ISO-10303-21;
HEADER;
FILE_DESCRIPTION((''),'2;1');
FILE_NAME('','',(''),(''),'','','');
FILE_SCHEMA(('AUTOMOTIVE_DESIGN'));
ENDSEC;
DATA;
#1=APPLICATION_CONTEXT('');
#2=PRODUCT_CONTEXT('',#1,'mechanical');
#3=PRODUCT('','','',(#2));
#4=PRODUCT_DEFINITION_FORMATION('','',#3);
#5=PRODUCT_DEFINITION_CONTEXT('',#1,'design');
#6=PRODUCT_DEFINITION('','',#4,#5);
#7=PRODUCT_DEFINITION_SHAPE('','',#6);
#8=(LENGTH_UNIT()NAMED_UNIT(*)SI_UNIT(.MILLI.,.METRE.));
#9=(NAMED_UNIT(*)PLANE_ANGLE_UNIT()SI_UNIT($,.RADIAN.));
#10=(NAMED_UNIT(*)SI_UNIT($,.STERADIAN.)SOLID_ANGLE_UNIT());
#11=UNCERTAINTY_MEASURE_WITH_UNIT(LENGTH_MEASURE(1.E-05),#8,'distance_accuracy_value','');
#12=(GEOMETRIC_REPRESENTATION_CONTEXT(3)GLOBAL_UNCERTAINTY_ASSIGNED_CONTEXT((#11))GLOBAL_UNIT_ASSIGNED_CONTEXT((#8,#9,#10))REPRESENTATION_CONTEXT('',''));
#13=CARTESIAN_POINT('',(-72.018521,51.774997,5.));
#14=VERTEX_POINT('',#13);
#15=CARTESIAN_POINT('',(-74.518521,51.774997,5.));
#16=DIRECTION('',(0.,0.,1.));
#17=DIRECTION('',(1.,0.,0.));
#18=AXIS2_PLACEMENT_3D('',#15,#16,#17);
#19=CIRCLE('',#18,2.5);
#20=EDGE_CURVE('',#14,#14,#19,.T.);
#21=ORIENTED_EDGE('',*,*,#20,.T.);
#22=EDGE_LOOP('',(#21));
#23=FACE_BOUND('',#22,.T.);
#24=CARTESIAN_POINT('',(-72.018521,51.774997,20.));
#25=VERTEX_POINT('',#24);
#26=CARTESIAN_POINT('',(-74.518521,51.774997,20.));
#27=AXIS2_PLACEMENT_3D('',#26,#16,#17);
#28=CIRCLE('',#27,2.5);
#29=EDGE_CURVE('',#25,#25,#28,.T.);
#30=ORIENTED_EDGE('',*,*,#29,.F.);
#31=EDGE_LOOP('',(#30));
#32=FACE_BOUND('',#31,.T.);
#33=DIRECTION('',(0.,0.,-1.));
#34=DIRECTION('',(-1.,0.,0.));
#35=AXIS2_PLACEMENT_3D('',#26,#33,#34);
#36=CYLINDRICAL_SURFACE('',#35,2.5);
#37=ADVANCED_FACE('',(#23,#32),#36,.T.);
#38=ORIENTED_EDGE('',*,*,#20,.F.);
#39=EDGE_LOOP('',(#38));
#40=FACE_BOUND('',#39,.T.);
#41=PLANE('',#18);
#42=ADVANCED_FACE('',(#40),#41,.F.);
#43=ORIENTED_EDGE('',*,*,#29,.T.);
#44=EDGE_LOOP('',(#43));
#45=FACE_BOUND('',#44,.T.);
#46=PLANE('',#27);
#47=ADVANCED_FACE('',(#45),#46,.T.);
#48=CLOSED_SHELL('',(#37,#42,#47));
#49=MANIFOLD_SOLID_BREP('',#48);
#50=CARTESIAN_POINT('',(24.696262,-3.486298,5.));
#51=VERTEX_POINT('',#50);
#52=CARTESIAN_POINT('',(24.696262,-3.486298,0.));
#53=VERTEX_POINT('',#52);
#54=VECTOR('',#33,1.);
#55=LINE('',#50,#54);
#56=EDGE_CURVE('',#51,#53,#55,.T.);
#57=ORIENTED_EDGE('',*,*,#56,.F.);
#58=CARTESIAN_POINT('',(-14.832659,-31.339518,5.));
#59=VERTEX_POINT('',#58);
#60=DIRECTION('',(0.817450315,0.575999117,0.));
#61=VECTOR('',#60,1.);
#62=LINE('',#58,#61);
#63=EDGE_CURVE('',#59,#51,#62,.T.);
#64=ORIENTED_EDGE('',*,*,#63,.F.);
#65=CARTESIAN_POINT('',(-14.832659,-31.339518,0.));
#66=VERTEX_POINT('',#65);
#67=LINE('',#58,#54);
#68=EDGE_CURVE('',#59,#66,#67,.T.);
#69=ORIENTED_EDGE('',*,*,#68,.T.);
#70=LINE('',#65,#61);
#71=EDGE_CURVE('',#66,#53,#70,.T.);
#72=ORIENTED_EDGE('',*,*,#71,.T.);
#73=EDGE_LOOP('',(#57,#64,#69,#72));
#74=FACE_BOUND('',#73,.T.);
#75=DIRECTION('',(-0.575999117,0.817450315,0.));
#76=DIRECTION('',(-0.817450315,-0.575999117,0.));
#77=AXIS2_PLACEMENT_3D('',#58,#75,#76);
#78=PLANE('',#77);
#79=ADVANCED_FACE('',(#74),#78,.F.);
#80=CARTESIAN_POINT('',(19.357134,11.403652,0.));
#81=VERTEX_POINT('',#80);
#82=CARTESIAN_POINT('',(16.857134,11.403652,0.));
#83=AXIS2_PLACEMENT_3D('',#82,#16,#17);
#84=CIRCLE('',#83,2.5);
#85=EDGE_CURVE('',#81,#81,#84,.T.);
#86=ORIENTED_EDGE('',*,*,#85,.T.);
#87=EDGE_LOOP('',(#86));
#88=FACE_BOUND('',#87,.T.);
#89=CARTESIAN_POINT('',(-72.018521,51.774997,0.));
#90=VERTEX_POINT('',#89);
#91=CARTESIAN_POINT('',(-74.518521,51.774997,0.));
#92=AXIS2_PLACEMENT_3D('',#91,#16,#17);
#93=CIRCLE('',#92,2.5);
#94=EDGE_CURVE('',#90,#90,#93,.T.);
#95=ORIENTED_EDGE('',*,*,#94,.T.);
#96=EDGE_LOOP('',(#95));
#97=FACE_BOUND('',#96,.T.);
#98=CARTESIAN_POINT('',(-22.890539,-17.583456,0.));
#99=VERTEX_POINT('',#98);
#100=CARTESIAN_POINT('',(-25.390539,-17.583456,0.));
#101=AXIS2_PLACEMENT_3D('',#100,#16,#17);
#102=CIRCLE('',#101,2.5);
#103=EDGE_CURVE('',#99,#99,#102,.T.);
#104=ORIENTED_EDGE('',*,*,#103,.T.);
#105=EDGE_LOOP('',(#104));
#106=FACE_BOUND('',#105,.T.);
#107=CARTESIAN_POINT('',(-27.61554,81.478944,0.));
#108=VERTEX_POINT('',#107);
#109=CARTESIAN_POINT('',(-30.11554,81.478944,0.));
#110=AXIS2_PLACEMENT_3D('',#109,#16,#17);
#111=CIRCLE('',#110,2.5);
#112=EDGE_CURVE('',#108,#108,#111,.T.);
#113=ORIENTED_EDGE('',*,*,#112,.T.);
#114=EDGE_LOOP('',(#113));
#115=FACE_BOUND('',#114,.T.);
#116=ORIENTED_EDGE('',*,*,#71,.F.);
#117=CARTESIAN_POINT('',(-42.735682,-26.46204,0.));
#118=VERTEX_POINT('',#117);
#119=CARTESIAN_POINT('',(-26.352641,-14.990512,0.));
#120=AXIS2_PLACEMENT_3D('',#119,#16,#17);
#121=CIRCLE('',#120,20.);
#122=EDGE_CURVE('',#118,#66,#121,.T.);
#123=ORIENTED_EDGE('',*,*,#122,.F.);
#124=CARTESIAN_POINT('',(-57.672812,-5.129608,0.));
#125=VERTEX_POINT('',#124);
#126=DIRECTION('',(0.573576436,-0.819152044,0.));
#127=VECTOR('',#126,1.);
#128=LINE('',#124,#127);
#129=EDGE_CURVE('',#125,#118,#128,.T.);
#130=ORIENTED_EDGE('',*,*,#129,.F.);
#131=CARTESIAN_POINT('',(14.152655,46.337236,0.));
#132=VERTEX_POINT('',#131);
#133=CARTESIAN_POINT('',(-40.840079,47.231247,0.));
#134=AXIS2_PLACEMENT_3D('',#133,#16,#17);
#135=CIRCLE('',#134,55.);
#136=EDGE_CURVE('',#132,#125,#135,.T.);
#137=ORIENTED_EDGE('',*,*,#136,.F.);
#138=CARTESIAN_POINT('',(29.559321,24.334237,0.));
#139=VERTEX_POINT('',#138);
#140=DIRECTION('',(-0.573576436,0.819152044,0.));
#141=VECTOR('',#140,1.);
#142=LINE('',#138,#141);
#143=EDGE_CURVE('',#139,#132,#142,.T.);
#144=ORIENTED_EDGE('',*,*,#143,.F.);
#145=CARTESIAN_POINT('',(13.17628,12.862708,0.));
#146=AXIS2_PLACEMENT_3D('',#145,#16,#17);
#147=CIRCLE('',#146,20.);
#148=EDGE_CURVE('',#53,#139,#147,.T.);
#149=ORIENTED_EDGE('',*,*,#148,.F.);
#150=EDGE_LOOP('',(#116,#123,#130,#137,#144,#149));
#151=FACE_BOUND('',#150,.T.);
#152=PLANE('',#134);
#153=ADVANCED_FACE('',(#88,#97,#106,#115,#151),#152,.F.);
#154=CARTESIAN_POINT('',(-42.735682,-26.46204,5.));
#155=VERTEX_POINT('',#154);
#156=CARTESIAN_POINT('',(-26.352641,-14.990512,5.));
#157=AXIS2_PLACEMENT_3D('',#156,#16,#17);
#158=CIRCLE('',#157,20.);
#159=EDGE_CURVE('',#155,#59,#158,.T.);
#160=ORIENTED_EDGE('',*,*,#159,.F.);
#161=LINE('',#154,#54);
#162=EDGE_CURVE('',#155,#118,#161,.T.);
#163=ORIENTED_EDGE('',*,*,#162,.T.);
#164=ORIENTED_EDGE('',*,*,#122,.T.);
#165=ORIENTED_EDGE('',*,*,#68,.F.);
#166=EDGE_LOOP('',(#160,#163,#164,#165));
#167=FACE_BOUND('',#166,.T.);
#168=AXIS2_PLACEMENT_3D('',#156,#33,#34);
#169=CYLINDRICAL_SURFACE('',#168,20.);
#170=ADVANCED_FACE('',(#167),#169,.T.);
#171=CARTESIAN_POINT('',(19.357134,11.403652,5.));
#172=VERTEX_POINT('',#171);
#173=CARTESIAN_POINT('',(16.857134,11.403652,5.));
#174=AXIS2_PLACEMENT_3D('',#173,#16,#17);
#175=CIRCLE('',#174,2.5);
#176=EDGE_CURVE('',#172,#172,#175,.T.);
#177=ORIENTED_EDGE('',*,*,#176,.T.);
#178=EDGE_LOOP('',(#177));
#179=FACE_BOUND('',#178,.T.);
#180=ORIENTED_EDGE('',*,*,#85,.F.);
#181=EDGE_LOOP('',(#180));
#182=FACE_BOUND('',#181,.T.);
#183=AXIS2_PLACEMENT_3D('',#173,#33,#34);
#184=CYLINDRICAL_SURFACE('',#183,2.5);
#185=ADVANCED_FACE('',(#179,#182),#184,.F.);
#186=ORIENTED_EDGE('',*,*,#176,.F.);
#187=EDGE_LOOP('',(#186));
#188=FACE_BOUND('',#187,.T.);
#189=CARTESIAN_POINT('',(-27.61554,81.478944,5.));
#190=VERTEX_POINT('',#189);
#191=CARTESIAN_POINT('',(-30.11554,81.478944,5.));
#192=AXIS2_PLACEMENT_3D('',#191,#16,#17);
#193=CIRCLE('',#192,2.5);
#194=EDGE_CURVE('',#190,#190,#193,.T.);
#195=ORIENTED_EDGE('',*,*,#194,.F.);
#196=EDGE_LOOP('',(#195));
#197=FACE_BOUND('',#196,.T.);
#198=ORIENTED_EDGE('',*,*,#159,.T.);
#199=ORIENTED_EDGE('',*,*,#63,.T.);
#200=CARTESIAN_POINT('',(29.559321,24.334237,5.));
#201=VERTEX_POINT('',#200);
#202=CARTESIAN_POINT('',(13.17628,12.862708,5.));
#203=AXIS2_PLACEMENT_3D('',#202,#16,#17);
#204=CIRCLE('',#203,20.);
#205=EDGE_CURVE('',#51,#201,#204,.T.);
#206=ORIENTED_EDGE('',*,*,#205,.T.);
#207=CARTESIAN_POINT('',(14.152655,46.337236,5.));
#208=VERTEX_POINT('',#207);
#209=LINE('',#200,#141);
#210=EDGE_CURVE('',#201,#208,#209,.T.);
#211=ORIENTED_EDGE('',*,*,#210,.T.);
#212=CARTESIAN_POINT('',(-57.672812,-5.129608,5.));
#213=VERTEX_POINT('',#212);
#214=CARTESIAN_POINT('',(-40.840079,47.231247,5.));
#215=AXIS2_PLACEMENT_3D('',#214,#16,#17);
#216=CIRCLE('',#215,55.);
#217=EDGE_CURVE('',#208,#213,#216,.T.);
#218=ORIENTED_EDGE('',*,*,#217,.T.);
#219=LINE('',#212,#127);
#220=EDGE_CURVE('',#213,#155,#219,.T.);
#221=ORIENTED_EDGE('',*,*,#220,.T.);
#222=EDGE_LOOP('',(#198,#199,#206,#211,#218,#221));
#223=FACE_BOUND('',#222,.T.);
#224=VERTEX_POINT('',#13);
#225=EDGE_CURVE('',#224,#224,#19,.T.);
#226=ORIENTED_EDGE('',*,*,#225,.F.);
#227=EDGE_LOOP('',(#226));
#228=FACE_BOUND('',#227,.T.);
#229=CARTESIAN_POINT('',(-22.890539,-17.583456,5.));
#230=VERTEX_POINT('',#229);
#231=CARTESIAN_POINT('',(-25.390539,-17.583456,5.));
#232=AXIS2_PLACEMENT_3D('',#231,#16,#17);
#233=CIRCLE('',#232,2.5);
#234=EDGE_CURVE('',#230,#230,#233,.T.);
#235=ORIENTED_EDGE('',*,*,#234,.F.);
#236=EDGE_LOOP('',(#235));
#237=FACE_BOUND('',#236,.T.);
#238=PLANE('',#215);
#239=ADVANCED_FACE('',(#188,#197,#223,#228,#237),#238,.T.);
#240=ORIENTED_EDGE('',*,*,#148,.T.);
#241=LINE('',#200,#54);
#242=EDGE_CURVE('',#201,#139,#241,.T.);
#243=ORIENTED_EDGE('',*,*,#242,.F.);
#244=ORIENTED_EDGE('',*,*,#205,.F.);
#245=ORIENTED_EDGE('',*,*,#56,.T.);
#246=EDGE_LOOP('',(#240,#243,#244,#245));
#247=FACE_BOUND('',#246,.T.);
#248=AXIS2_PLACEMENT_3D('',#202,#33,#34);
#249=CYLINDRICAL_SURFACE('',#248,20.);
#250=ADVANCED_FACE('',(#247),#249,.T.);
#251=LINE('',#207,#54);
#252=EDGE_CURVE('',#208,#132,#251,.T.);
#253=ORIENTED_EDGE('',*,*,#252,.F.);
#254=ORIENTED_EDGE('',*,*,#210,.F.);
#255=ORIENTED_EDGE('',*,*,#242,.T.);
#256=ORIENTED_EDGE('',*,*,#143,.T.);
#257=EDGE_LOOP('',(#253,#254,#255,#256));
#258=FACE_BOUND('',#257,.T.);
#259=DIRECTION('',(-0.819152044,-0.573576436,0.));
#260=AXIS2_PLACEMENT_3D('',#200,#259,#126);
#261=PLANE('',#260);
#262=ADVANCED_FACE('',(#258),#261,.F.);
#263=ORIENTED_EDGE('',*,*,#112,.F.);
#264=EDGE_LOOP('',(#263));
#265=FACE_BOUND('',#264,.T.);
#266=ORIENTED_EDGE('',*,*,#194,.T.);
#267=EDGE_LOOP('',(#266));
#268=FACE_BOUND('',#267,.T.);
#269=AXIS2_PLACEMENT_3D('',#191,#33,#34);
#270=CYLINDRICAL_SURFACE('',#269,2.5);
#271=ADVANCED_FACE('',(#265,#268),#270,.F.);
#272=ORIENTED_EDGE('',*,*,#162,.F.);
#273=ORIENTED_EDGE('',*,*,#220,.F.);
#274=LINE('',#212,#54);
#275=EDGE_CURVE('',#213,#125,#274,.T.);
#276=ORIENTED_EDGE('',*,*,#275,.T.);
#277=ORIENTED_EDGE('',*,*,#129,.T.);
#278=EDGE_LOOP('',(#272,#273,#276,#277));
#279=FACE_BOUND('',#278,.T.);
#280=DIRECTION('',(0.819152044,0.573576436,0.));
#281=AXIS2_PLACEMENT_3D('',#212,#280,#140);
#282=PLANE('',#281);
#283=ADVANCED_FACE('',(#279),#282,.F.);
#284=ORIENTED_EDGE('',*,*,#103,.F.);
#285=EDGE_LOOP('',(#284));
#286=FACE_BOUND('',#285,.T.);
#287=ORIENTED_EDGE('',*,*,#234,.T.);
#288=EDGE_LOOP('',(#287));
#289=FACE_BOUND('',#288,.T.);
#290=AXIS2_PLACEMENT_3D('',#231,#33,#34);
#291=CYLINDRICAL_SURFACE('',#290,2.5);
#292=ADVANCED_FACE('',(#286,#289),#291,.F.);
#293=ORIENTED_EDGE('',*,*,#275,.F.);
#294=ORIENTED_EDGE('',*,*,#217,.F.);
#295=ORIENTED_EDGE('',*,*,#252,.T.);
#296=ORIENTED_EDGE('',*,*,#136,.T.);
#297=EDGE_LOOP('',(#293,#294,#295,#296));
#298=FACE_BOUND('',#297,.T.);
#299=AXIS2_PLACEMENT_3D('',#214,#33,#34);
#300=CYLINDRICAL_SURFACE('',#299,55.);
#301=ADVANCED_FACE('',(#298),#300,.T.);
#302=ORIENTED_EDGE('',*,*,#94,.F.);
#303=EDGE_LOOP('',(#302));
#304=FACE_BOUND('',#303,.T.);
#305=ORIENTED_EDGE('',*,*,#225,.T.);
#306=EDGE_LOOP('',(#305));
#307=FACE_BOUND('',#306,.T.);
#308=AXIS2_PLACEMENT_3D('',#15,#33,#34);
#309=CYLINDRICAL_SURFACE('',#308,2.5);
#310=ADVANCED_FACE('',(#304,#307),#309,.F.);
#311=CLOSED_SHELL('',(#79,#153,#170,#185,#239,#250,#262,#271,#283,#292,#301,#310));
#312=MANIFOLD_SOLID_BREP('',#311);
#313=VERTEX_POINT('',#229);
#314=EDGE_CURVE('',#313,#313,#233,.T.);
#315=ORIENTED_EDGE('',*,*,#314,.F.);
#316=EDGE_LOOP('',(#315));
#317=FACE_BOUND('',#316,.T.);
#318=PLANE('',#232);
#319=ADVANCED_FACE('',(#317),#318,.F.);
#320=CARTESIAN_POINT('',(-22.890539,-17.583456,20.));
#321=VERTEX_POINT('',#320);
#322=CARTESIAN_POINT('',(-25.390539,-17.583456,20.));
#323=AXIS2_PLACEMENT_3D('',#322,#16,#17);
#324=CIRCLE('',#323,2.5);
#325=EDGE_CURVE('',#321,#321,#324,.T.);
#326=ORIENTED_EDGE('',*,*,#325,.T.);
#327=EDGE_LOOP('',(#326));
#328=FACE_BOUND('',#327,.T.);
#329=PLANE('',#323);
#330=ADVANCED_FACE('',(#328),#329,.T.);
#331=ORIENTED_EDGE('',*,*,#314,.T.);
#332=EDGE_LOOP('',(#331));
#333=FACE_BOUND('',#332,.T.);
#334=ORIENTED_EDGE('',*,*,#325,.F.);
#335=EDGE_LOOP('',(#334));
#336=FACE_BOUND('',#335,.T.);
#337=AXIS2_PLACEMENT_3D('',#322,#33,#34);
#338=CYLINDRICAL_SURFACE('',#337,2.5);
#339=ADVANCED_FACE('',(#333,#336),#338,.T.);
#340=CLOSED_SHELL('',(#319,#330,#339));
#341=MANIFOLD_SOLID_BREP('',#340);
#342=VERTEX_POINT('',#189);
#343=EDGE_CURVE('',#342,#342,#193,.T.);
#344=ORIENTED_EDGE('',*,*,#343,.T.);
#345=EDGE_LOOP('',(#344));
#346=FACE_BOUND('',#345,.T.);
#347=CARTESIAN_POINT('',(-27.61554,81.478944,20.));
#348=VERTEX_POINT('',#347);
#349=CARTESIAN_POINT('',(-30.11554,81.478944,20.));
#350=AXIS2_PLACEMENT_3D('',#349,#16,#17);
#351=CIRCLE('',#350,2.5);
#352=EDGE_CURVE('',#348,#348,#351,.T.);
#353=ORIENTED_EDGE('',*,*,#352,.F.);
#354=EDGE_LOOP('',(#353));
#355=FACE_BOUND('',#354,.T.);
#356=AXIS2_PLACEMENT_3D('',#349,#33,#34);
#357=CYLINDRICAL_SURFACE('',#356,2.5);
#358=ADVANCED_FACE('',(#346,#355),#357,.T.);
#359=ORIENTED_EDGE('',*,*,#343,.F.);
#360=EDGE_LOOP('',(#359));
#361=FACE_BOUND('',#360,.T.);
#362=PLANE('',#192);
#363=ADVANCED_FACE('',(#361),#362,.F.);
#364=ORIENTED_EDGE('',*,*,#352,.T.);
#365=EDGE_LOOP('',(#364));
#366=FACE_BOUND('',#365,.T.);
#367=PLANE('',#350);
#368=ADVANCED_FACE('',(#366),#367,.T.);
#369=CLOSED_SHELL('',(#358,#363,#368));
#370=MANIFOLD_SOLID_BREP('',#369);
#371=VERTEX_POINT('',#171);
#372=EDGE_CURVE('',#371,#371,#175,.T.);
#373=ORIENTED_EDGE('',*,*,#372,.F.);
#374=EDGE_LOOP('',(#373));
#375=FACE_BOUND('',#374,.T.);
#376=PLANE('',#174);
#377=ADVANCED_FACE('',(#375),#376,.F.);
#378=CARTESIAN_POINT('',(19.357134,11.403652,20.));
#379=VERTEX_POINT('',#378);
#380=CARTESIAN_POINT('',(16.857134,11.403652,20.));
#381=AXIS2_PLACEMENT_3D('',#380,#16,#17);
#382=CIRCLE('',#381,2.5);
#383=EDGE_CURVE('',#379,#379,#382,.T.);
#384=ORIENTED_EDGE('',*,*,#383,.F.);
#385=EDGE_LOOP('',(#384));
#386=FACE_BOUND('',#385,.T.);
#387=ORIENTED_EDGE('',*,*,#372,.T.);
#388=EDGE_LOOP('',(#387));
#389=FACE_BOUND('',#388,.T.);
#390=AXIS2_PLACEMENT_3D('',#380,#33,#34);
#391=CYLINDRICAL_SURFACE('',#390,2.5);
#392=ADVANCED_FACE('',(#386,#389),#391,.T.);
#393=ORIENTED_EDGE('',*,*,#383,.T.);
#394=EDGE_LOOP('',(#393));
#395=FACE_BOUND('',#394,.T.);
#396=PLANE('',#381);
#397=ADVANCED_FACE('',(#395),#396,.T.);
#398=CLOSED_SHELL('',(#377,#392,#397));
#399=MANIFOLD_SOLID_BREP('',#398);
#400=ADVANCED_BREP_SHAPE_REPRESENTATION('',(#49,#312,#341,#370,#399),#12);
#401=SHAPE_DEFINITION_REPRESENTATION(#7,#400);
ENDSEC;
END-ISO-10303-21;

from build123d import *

# Parameters (mm, degrees)
SKETCH1_R             = 2.5
BOSS_EXTRUDE1_DEPTH   = 5
SKETCH3_R             = 2.5
BOSS_EXTRUDE2_DEPTH   = 15
BOSS_EXTRUDE2_2_DEPTH = 15
BOSS_EXTRUDE2_3_DEPTH = 15
BOSS_EXTRUDE2_4_DEPTH = 15


with BuildPart() as part:
    # Sketch1 → Boss-Extrude1 (new body)
    with BuildSketch(Plane.XY):
        with BuildLine():
            Line((-57.672811588, -5.12960821), (-42.735681757, -26.462040404))
            ThreePointArc((-42.735681757, -26.462040404), (-29.796444215, -34.691786217), (-14.832658533, -31.339517974))
            Line((-14.832658533, -31.339517974), (24.696261992, -3.486298151))
            ThreePointArc((24.696261992, -3.486298151), (32.877554195, 9.418904803), (29.55932054, 24.334236874))
            Line((29.55932054, 24.334236874), (14.152654619, 46.337236099))
            ThreePointArc((14.152654619, 46.337236099), (-72.875300714, 91.93856773), (-57.672811588, -5.12960821))
        make_face()
        with Locations((16.857134213, 11.403652355)):
            Circle(SKETCH1_R, mode=Mode.SUBTRACT)
        with Locations((-25.390539185, -17.583455648)):
            Circle(SKETCH1_R, mode=Mode.SUBTRACT)
        with Locations((-74.51852092, 51.77499716)):
            Circle(SKETCH1_R, mode=Mode.SUBTRACT)
        with Locations((-30.115539643, 81.478943582)):
            Circle(SKETCH1_R, mode=Mode.SUBTRACT)
    extrude(amount=BOSS_EXTRUDE1_DEPTH)


with BuildPart() as body_2:
    # Sketch3 → Boss-Extrude2 (new body)
    with BuildSketch(Plane.XY.offset(5)):
        with Locations((16.857134213, 11.403652355)):
            Circle(SKETCH3_R)
    extrude(amount=BOSS_EXTRUDE2_DEPTH)


with BuildPart() as body_3:
    # Sketch3 → Boss-Extrude2 2 (new body)
    with BuildSketch(Plane.XY.offset(5)):
        with Locations((-25.390539185, -17.583455648)):
            Circle(SKETCH3_R)
    extrude(amount=BOSS_EXTRUDE2_2_DEPTH)


with BuildPart() as body_4:
    # Sketch3 → Boss-Extrude2 3 (new body)
    with BuildSketch(Plane.XY.offset(5)):
        with Locations((-30.115539643, 81.478943582)):
            Circle(SKETCH3_R)
    extrude(amount=BOSS_EXTRUDE2_3_DEPTH)


with BuildPart() as body_5:
    # Sketch3 → Boss-Extrude2 4 (new body)
    with BuildSketch(Plane.XY.offset(5)):
        with Locations((-74.51852092, 51.77499716)):
            Circle(SKETCH3_R)
    extrude(amount=BOSS_EXTRUDE2_4_DEPTH)


solid = Compound([part.part, body_2.part, body_3.part, body_4.part, body_5.part])
